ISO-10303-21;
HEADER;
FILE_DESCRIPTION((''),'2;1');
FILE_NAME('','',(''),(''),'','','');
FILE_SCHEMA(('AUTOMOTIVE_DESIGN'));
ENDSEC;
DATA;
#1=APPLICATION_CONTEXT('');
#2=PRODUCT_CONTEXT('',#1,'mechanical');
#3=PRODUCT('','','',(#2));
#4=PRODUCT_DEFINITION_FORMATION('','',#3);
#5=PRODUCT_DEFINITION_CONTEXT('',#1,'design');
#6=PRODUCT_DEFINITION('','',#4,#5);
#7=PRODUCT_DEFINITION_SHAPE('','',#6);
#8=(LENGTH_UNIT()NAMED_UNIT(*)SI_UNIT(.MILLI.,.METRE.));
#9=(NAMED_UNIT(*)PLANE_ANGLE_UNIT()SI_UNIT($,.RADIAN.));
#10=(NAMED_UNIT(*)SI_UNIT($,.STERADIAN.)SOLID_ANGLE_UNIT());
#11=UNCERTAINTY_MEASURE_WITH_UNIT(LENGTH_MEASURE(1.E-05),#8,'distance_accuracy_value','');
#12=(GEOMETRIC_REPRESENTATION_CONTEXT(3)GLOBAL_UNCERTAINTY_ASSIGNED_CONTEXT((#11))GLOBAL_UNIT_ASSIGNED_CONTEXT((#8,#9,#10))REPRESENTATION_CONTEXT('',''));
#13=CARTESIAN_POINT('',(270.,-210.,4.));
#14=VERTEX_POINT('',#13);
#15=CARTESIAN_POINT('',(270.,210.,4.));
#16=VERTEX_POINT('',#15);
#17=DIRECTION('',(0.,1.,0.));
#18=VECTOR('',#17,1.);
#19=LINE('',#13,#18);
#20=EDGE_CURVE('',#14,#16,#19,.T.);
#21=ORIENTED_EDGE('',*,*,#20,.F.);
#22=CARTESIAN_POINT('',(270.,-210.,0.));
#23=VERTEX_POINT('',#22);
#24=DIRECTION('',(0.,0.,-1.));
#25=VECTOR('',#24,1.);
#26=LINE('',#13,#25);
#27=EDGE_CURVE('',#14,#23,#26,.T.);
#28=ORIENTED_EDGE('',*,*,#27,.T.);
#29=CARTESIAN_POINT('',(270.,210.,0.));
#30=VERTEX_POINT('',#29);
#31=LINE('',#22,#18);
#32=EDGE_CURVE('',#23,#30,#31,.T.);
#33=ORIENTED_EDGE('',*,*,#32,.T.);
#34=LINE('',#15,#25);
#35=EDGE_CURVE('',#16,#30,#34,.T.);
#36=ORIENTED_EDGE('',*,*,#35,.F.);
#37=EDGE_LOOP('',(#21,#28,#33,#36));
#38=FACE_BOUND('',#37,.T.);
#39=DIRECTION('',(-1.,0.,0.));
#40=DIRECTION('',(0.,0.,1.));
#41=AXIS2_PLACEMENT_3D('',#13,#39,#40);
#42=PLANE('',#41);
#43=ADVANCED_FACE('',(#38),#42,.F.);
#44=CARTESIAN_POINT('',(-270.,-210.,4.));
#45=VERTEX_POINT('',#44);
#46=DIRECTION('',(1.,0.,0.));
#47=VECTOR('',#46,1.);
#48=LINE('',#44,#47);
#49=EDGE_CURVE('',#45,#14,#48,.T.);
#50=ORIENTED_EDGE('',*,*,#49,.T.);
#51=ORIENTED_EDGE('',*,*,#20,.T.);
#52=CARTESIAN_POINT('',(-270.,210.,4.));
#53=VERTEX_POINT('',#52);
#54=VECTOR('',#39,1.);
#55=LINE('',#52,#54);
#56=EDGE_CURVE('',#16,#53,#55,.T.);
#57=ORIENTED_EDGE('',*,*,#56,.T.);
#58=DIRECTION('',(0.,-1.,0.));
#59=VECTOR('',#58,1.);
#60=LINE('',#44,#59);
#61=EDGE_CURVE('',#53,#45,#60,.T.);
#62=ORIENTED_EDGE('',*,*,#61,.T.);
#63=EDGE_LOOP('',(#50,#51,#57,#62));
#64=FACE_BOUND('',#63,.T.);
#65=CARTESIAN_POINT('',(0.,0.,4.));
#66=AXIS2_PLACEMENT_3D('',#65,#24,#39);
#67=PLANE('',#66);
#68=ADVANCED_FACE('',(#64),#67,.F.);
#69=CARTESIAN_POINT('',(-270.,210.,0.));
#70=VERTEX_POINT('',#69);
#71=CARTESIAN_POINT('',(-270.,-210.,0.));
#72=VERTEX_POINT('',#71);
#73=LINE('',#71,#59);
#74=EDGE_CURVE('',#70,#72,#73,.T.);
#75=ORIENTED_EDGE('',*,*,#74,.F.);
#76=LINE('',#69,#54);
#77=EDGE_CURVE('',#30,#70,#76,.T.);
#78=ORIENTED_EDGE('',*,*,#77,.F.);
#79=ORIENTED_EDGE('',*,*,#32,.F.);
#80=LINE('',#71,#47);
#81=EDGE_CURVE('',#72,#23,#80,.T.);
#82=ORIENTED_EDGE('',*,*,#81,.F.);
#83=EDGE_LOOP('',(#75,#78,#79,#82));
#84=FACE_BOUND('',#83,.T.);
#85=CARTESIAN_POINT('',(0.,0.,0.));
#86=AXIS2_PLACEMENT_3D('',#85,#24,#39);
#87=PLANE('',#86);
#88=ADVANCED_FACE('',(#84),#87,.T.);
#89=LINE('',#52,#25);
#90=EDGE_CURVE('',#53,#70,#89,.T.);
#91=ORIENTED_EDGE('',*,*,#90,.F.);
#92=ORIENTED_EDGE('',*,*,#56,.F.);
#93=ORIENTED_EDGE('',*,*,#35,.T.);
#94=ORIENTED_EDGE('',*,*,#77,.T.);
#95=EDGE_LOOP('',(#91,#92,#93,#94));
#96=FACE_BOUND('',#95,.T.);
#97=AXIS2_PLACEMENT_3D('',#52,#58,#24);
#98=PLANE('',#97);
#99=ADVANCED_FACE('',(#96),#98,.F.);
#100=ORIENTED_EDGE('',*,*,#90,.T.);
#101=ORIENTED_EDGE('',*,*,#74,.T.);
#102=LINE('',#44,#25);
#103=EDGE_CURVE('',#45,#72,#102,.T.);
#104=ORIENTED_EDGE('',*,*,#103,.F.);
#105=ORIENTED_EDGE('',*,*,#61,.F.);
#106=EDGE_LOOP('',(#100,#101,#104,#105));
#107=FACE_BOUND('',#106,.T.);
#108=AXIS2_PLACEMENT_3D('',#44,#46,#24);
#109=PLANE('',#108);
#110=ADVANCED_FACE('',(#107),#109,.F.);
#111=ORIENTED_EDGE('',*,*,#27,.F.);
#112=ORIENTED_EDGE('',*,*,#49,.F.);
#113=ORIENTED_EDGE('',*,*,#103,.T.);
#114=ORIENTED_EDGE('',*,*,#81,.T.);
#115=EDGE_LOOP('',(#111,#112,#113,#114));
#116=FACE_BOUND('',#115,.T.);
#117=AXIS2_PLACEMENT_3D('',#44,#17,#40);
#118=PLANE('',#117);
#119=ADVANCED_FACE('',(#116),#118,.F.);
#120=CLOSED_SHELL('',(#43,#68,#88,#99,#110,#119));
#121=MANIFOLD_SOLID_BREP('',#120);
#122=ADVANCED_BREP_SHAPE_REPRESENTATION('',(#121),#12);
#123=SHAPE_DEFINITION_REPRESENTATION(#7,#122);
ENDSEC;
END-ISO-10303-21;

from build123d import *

# Parameters (mm, degrees)
SKETCH_1_W      = 540
SKETCH_1_H      = 420
EXTRUDE_1_DEPTH = 4


with BuildPart() as part:
    # Эскиз1 → Бобышка-Вытянуть1 (new body)
    with BuildSketch(Plane.XY):
        Rectangle(SKETCH_1_W, SKETCH_1_H)
    extrude(amount=EXTRUDE_1_DEPTH)


solid = part.part
